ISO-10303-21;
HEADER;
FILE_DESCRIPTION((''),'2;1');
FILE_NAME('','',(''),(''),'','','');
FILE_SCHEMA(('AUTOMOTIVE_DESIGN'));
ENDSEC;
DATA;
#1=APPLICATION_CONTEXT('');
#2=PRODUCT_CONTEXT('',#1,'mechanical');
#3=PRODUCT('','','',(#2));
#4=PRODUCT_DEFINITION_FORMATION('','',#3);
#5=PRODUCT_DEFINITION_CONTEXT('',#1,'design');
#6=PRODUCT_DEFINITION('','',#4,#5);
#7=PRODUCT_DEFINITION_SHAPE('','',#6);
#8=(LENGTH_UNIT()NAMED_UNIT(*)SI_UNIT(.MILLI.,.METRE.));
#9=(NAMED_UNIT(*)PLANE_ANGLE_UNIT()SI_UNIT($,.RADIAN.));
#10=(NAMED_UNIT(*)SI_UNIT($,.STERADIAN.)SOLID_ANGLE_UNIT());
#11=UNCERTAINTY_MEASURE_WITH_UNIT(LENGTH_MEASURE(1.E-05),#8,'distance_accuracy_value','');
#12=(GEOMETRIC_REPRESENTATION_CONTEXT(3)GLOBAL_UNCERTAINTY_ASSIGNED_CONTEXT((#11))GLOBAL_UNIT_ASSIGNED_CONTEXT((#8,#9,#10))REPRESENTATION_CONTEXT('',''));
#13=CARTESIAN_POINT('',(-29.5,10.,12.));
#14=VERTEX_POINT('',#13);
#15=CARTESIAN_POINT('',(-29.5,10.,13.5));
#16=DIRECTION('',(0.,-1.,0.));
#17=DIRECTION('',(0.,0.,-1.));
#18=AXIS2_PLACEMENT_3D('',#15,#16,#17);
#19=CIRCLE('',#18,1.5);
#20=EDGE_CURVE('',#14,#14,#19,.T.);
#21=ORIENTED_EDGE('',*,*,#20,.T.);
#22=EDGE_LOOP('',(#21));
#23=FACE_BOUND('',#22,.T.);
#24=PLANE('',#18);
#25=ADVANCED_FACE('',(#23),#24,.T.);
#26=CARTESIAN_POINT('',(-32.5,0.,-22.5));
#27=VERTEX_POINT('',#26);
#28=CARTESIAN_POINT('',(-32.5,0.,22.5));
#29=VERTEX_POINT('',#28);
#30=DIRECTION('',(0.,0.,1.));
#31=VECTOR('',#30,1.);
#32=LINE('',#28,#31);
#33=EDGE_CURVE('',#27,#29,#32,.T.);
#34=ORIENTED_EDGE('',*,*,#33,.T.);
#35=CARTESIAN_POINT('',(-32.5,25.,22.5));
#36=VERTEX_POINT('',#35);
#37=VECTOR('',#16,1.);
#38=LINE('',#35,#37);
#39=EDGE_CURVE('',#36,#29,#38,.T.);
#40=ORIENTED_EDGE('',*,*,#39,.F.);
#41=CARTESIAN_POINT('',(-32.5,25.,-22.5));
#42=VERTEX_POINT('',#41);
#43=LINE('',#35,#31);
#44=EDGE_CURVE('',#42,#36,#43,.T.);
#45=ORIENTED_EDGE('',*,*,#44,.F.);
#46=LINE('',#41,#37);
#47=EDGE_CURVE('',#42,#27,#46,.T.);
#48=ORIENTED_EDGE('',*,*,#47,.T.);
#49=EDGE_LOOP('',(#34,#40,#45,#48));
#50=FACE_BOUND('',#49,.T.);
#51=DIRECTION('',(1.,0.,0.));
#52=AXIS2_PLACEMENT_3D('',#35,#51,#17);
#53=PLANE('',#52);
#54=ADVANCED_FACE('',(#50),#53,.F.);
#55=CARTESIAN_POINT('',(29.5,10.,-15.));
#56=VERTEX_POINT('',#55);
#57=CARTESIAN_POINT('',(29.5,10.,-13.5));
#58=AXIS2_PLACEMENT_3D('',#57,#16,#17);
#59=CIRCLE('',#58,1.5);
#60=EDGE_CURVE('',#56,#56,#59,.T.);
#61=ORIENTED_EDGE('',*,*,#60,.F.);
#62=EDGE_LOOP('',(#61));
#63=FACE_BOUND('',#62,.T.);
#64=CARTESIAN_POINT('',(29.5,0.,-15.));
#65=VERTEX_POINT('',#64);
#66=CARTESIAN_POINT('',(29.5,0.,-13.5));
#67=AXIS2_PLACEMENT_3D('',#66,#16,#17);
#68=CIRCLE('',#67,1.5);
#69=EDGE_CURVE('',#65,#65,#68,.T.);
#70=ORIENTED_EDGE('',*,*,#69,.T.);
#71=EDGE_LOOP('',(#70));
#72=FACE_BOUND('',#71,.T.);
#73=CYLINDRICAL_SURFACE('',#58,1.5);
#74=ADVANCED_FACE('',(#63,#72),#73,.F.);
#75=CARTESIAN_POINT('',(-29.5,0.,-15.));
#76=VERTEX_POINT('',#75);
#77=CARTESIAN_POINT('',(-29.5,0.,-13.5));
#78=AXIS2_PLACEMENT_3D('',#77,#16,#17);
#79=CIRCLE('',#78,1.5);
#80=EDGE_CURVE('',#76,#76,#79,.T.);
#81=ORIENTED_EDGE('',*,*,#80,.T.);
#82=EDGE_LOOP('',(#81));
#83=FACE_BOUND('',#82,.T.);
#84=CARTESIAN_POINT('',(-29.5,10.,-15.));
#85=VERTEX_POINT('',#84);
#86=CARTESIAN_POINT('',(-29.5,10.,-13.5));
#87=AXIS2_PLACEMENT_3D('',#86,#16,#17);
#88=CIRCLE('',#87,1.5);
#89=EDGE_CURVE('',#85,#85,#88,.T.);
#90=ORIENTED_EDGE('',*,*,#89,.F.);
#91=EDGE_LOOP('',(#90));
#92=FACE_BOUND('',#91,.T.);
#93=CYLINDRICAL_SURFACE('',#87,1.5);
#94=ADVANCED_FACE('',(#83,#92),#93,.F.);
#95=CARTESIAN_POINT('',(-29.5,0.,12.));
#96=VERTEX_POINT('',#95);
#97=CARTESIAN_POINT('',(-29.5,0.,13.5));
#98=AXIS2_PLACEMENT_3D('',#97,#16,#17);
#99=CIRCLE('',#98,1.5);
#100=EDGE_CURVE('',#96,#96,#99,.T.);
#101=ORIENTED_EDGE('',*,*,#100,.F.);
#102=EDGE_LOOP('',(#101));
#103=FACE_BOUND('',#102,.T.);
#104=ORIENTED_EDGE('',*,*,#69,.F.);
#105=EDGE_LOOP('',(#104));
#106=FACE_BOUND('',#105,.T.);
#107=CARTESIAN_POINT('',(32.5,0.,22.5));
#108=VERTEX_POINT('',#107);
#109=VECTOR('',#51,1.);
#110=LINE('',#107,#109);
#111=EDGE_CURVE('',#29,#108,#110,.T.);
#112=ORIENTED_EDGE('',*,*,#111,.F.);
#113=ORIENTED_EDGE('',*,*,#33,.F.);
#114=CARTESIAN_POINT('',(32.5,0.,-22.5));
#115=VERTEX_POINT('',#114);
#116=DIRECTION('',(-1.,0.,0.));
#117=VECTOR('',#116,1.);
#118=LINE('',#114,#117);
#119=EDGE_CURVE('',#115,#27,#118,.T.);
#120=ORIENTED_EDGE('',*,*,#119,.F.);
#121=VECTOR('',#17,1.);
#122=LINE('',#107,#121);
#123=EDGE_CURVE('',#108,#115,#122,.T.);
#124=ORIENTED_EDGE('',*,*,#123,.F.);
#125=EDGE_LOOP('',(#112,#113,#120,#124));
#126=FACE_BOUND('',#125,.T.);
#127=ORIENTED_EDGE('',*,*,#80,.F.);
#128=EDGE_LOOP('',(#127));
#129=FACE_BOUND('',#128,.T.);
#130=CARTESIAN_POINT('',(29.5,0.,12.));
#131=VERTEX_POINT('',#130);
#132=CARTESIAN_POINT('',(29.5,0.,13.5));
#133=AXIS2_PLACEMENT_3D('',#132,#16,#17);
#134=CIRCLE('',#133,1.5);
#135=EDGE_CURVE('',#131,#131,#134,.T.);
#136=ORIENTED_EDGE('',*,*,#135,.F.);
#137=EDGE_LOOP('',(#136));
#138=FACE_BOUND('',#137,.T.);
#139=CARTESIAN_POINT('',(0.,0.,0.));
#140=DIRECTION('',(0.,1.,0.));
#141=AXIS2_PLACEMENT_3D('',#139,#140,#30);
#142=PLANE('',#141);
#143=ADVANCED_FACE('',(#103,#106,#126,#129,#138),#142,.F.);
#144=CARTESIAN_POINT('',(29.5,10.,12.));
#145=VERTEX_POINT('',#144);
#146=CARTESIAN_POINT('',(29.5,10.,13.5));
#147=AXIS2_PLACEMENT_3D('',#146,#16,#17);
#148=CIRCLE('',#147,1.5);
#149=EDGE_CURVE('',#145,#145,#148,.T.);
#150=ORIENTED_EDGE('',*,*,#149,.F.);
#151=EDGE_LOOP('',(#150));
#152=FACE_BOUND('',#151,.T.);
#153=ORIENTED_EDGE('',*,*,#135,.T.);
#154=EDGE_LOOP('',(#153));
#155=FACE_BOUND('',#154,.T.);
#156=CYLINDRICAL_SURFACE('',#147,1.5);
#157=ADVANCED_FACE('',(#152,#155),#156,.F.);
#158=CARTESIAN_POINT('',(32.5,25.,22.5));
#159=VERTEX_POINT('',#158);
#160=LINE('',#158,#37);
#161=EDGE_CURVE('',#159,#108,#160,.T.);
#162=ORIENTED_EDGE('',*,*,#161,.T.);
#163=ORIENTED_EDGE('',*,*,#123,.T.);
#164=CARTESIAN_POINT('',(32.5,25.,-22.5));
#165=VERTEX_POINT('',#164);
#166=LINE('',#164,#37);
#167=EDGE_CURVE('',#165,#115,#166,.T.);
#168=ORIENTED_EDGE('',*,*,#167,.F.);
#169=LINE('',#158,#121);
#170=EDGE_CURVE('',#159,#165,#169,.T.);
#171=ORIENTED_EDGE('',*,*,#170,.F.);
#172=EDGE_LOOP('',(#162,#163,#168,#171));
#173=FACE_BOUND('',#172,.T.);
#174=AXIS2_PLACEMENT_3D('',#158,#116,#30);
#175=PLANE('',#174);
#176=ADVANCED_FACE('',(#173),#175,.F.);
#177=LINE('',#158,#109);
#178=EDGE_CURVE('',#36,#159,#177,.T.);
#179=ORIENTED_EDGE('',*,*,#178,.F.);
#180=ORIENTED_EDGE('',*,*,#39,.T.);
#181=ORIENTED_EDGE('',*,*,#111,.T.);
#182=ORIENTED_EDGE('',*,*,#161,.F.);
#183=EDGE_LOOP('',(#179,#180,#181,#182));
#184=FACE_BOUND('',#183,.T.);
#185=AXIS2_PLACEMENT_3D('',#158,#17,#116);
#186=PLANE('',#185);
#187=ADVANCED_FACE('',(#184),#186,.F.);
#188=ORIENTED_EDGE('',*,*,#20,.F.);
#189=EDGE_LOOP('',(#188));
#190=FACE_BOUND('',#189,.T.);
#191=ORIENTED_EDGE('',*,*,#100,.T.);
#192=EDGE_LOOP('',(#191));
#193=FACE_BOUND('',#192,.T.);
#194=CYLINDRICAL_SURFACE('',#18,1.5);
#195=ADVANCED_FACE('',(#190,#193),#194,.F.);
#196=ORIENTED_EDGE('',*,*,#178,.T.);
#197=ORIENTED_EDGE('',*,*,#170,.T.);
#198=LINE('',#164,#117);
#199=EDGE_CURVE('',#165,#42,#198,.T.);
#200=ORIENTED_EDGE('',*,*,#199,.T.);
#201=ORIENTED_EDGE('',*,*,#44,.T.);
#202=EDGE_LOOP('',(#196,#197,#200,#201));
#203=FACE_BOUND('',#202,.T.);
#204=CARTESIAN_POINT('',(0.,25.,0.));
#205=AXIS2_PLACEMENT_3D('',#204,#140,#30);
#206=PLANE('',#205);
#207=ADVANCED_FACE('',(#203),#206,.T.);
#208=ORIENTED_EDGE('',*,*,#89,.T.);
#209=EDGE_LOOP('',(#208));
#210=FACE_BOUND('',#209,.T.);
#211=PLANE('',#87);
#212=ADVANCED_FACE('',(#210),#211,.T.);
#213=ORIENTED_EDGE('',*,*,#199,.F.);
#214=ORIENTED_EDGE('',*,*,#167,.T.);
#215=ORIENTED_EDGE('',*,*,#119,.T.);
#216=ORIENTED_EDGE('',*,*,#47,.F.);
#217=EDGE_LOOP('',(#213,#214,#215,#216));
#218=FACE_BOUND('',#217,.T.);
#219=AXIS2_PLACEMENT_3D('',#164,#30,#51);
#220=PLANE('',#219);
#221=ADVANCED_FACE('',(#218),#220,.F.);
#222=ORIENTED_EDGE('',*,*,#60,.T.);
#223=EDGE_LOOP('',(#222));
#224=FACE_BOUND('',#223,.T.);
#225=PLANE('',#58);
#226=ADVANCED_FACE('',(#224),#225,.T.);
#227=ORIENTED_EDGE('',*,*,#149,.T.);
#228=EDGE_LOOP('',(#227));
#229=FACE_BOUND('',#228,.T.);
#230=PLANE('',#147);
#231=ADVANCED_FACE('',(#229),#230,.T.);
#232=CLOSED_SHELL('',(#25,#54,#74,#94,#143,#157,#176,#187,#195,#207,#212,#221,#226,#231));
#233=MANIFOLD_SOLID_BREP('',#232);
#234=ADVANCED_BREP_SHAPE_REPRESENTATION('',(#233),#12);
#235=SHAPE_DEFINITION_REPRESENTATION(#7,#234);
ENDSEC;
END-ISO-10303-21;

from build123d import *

# Parameters (mm, degrees)
SKETCH_1_W          = 65
SKETCH_1_H          = 45
EXTRUDE_1_DEPTH     = 25
SKETCH_2_R          = 1.5
CUT_EXTRUDE_1_DEPTH = 10


with BuildPart() as part:
    # Эскиз1 → Бобышка-Вытянуть1 (new body)
    with BuildSketch(Plane(origin=(0, 0, 0), x_dir=(1, 0, 0), z_dir=(0, 1, 0))):
        Rectangle(SKETCH_1_W, SKETCH_1_H)
    extrude(amount=EXTRUDE_1_DEPTH)

    # Эскиз2 → Вырез-Вытянуть1 (cut)
    with BuildSketch(Plane.XZ):
        with Locations(Location((-29.5, 13.5, 0), (0, 0, 270))):
            Circle(SKETCH_2_R)
        with Locations(Location((29.5, 13.5, 0), (0, 0, 270))):
            Circle(SKETCH_2_R)
        with Locations(Location((-29.5, -13.5, 0), (0, 0, 270))):
            Circle(SKETCH_2_R)
        with Locations(Location((29.5, -13.5, 0), (0, 0, 270))):
            Circle(SKETCH_2_R)
    extrude(amount=-CUT_EXTRUDE_1_DEPTH, mode=Mode.SUBTRACT)


solid = part.part
